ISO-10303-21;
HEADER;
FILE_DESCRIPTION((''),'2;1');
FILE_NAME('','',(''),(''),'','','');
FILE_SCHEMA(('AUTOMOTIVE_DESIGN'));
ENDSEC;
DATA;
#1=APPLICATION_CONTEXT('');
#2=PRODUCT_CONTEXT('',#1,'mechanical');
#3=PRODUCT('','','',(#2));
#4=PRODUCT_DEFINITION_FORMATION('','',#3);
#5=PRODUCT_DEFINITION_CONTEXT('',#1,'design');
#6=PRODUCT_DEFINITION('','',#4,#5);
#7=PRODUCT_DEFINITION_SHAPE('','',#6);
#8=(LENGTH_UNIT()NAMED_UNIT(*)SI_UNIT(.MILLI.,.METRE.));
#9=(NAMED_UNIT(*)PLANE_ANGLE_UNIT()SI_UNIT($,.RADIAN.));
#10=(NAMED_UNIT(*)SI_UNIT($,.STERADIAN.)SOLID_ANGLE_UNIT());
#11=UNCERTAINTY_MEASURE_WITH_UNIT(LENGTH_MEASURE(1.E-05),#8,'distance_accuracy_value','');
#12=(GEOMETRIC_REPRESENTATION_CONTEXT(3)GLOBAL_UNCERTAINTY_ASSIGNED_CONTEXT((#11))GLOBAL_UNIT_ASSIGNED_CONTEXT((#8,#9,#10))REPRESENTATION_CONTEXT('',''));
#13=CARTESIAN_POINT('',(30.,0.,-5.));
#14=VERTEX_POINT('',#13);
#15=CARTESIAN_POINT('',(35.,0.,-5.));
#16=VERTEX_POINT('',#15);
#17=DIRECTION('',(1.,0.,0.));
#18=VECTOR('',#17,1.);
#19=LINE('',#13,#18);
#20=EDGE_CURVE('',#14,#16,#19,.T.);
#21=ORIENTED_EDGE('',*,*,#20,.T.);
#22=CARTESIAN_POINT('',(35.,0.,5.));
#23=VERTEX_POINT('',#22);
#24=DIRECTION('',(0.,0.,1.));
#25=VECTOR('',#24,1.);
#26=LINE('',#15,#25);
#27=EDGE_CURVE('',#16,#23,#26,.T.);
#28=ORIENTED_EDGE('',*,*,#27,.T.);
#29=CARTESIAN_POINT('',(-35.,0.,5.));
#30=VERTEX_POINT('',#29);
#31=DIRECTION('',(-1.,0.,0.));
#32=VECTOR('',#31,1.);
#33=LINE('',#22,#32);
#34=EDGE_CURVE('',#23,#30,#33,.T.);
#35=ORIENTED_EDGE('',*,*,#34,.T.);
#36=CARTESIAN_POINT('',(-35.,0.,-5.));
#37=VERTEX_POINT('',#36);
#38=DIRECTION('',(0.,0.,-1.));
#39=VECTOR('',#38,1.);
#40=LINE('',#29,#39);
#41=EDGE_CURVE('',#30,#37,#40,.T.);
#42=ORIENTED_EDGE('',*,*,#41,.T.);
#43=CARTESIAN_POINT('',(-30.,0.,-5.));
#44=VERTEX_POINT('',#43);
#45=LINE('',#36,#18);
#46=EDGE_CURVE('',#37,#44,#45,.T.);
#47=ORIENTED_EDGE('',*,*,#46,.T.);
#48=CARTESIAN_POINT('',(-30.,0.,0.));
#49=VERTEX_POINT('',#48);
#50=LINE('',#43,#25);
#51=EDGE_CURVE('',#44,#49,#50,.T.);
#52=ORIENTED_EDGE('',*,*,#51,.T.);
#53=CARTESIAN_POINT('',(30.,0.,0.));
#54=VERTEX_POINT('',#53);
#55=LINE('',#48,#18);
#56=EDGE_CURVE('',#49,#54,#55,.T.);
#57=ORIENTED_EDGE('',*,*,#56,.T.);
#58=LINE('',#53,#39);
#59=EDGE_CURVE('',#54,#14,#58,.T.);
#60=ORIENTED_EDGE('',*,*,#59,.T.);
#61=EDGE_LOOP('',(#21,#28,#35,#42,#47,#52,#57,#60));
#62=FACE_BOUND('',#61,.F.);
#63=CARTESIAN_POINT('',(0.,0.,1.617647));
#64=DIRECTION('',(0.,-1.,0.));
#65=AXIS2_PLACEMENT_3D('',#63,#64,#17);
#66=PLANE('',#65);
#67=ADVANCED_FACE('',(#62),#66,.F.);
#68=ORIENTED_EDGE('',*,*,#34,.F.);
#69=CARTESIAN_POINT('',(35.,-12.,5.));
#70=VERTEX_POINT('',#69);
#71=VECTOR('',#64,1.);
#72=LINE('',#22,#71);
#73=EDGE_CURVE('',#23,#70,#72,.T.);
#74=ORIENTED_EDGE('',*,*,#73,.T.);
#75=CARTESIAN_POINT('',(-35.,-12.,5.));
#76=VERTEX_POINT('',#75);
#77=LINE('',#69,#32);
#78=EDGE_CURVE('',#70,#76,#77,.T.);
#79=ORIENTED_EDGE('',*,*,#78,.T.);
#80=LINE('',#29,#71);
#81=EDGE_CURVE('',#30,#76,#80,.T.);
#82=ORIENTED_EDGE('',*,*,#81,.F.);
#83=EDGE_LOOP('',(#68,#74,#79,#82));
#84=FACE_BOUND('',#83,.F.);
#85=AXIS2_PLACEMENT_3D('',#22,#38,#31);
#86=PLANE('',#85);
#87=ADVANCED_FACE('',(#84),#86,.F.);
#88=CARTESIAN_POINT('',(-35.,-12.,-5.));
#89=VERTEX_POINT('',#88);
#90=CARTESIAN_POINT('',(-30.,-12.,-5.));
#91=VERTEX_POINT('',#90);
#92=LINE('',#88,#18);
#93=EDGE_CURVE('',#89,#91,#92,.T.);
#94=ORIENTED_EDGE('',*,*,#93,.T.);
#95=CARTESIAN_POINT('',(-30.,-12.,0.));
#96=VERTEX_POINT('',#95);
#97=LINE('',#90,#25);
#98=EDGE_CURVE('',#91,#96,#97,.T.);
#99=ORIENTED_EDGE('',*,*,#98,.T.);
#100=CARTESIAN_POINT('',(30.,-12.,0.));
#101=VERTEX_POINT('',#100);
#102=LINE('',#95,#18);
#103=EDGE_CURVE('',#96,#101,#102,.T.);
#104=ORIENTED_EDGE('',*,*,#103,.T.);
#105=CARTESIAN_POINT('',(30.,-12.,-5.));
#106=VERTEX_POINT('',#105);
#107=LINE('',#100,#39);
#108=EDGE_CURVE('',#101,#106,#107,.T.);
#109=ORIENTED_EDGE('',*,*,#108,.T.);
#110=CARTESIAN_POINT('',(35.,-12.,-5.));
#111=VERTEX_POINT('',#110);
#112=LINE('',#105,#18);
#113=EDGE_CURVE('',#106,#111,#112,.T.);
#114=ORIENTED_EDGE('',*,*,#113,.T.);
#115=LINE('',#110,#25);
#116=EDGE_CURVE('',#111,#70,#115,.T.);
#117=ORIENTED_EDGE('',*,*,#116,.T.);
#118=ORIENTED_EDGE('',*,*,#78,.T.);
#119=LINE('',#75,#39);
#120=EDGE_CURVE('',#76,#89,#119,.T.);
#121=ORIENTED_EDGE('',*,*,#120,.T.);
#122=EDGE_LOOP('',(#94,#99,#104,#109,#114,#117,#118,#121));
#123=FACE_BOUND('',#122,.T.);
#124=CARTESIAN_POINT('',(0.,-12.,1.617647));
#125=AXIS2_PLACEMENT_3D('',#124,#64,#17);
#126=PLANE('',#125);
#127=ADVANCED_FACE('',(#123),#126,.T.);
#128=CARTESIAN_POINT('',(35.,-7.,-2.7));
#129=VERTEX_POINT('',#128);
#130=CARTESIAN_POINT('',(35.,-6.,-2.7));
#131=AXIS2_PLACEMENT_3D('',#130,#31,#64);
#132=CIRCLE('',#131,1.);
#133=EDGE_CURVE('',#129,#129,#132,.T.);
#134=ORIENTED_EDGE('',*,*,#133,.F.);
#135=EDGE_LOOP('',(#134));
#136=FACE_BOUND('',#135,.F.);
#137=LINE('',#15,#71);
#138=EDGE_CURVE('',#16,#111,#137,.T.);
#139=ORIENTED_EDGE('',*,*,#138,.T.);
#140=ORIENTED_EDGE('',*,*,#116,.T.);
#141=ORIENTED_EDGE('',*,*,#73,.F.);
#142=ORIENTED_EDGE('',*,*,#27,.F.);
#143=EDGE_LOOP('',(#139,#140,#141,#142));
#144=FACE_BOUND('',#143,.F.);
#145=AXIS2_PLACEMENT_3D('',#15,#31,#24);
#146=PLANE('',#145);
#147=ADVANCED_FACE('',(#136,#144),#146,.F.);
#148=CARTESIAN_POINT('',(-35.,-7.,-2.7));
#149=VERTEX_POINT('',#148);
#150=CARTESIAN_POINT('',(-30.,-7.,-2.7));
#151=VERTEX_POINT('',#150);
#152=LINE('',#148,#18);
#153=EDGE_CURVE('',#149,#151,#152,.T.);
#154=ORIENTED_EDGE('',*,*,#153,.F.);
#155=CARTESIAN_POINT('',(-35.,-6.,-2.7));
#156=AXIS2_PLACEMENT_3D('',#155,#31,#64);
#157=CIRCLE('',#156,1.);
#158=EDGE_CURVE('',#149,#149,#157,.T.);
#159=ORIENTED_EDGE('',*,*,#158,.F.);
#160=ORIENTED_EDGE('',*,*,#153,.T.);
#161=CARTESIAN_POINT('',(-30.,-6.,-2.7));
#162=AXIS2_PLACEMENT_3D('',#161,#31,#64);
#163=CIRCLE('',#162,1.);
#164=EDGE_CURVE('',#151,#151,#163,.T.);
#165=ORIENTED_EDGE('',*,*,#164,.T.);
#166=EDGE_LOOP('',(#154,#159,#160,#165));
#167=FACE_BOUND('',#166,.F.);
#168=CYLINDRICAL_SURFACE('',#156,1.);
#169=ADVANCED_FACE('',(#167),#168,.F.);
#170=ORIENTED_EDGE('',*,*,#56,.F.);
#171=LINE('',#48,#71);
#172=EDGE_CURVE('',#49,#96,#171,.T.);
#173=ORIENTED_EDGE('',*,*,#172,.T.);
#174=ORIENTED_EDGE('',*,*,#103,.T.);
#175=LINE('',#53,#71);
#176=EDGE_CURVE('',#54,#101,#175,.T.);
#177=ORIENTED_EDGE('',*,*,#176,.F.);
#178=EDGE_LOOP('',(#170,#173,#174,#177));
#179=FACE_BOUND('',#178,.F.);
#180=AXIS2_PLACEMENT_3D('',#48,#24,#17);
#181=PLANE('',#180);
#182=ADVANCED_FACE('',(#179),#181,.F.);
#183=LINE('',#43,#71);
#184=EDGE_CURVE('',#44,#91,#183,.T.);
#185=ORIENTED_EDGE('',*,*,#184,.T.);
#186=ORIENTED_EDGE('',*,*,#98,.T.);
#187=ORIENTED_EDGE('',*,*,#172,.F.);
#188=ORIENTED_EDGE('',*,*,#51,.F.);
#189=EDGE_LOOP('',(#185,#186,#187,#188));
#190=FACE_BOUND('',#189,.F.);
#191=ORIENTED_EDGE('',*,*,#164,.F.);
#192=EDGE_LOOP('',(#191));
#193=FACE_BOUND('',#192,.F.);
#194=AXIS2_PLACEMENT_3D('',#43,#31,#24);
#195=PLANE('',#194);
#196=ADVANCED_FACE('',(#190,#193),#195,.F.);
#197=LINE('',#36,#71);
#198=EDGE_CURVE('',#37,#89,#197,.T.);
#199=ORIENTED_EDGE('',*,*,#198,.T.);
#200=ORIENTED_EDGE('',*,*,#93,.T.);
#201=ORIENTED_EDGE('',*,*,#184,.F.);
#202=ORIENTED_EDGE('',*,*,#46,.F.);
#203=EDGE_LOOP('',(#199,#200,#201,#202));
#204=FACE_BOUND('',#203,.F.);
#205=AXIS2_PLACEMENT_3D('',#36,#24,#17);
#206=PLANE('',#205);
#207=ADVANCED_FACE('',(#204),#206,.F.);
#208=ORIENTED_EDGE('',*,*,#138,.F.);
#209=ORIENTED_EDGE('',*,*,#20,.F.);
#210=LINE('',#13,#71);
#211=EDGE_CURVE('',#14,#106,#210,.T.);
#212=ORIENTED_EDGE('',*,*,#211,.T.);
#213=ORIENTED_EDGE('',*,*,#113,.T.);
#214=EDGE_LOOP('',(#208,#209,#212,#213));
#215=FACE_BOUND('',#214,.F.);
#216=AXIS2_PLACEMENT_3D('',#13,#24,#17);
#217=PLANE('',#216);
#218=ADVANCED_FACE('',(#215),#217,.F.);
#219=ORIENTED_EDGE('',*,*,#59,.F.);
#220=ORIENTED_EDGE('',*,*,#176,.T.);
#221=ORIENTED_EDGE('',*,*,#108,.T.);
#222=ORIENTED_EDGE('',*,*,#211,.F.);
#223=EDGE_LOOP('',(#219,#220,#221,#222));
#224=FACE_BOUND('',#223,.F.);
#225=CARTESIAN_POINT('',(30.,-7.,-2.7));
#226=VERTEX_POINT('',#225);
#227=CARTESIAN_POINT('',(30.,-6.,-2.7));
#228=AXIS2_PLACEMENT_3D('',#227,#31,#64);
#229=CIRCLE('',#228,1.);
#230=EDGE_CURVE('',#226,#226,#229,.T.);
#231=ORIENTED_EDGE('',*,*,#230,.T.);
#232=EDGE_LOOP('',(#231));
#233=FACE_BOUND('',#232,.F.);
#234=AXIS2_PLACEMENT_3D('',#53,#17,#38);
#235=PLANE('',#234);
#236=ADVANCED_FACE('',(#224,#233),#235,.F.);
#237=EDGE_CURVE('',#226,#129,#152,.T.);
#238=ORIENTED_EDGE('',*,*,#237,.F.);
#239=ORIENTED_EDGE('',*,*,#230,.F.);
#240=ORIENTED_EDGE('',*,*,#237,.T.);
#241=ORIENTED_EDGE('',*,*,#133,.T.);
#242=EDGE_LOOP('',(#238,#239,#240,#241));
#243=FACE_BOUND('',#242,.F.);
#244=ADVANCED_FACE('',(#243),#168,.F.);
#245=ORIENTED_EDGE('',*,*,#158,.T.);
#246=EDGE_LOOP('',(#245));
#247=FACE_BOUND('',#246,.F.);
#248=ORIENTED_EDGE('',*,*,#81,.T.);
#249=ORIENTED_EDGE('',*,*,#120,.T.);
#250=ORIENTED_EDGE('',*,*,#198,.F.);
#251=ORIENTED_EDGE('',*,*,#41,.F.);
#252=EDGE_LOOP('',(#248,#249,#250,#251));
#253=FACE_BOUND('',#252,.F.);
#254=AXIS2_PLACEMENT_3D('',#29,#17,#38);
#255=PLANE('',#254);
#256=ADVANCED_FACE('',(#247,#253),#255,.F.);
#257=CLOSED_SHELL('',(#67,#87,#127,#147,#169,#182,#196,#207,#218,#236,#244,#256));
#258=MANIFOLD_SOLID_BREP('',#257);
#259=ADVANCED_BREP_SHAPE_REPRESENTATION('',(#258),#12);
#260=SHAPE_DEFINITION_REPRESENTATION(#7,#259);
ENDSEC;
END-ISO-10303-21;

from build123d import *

# Parameters (mm, degrees)
F1_DEPTH = 12
F2_R     = 1
F3_DEPTH = 70


with BuildPart() as f1:
    # F0 (on Front) → F1 (new body)
    with BuildSketch(Plane.XZ):
        Polygon((-35, 5), (-35, -5), (-30, -5), (-30, 0), (30, 0), (30, -5), (35, -5), (35, 5), align=None)
    extrude(amount=F1_DEPTH)

    # F2 (on face) → F3 (cut)
    with BuildSketch(Plane(origin=(-35, 0, 0), x_dir=(0, -1, 0), z_dir=(-1, 0, 0))):
        with Locations((6, -2.7)):
            Circle(F2_R)
    extrude(amount=-F3_DEPTH, mode=Mode.SUBTRACT)


solid = f1.part
